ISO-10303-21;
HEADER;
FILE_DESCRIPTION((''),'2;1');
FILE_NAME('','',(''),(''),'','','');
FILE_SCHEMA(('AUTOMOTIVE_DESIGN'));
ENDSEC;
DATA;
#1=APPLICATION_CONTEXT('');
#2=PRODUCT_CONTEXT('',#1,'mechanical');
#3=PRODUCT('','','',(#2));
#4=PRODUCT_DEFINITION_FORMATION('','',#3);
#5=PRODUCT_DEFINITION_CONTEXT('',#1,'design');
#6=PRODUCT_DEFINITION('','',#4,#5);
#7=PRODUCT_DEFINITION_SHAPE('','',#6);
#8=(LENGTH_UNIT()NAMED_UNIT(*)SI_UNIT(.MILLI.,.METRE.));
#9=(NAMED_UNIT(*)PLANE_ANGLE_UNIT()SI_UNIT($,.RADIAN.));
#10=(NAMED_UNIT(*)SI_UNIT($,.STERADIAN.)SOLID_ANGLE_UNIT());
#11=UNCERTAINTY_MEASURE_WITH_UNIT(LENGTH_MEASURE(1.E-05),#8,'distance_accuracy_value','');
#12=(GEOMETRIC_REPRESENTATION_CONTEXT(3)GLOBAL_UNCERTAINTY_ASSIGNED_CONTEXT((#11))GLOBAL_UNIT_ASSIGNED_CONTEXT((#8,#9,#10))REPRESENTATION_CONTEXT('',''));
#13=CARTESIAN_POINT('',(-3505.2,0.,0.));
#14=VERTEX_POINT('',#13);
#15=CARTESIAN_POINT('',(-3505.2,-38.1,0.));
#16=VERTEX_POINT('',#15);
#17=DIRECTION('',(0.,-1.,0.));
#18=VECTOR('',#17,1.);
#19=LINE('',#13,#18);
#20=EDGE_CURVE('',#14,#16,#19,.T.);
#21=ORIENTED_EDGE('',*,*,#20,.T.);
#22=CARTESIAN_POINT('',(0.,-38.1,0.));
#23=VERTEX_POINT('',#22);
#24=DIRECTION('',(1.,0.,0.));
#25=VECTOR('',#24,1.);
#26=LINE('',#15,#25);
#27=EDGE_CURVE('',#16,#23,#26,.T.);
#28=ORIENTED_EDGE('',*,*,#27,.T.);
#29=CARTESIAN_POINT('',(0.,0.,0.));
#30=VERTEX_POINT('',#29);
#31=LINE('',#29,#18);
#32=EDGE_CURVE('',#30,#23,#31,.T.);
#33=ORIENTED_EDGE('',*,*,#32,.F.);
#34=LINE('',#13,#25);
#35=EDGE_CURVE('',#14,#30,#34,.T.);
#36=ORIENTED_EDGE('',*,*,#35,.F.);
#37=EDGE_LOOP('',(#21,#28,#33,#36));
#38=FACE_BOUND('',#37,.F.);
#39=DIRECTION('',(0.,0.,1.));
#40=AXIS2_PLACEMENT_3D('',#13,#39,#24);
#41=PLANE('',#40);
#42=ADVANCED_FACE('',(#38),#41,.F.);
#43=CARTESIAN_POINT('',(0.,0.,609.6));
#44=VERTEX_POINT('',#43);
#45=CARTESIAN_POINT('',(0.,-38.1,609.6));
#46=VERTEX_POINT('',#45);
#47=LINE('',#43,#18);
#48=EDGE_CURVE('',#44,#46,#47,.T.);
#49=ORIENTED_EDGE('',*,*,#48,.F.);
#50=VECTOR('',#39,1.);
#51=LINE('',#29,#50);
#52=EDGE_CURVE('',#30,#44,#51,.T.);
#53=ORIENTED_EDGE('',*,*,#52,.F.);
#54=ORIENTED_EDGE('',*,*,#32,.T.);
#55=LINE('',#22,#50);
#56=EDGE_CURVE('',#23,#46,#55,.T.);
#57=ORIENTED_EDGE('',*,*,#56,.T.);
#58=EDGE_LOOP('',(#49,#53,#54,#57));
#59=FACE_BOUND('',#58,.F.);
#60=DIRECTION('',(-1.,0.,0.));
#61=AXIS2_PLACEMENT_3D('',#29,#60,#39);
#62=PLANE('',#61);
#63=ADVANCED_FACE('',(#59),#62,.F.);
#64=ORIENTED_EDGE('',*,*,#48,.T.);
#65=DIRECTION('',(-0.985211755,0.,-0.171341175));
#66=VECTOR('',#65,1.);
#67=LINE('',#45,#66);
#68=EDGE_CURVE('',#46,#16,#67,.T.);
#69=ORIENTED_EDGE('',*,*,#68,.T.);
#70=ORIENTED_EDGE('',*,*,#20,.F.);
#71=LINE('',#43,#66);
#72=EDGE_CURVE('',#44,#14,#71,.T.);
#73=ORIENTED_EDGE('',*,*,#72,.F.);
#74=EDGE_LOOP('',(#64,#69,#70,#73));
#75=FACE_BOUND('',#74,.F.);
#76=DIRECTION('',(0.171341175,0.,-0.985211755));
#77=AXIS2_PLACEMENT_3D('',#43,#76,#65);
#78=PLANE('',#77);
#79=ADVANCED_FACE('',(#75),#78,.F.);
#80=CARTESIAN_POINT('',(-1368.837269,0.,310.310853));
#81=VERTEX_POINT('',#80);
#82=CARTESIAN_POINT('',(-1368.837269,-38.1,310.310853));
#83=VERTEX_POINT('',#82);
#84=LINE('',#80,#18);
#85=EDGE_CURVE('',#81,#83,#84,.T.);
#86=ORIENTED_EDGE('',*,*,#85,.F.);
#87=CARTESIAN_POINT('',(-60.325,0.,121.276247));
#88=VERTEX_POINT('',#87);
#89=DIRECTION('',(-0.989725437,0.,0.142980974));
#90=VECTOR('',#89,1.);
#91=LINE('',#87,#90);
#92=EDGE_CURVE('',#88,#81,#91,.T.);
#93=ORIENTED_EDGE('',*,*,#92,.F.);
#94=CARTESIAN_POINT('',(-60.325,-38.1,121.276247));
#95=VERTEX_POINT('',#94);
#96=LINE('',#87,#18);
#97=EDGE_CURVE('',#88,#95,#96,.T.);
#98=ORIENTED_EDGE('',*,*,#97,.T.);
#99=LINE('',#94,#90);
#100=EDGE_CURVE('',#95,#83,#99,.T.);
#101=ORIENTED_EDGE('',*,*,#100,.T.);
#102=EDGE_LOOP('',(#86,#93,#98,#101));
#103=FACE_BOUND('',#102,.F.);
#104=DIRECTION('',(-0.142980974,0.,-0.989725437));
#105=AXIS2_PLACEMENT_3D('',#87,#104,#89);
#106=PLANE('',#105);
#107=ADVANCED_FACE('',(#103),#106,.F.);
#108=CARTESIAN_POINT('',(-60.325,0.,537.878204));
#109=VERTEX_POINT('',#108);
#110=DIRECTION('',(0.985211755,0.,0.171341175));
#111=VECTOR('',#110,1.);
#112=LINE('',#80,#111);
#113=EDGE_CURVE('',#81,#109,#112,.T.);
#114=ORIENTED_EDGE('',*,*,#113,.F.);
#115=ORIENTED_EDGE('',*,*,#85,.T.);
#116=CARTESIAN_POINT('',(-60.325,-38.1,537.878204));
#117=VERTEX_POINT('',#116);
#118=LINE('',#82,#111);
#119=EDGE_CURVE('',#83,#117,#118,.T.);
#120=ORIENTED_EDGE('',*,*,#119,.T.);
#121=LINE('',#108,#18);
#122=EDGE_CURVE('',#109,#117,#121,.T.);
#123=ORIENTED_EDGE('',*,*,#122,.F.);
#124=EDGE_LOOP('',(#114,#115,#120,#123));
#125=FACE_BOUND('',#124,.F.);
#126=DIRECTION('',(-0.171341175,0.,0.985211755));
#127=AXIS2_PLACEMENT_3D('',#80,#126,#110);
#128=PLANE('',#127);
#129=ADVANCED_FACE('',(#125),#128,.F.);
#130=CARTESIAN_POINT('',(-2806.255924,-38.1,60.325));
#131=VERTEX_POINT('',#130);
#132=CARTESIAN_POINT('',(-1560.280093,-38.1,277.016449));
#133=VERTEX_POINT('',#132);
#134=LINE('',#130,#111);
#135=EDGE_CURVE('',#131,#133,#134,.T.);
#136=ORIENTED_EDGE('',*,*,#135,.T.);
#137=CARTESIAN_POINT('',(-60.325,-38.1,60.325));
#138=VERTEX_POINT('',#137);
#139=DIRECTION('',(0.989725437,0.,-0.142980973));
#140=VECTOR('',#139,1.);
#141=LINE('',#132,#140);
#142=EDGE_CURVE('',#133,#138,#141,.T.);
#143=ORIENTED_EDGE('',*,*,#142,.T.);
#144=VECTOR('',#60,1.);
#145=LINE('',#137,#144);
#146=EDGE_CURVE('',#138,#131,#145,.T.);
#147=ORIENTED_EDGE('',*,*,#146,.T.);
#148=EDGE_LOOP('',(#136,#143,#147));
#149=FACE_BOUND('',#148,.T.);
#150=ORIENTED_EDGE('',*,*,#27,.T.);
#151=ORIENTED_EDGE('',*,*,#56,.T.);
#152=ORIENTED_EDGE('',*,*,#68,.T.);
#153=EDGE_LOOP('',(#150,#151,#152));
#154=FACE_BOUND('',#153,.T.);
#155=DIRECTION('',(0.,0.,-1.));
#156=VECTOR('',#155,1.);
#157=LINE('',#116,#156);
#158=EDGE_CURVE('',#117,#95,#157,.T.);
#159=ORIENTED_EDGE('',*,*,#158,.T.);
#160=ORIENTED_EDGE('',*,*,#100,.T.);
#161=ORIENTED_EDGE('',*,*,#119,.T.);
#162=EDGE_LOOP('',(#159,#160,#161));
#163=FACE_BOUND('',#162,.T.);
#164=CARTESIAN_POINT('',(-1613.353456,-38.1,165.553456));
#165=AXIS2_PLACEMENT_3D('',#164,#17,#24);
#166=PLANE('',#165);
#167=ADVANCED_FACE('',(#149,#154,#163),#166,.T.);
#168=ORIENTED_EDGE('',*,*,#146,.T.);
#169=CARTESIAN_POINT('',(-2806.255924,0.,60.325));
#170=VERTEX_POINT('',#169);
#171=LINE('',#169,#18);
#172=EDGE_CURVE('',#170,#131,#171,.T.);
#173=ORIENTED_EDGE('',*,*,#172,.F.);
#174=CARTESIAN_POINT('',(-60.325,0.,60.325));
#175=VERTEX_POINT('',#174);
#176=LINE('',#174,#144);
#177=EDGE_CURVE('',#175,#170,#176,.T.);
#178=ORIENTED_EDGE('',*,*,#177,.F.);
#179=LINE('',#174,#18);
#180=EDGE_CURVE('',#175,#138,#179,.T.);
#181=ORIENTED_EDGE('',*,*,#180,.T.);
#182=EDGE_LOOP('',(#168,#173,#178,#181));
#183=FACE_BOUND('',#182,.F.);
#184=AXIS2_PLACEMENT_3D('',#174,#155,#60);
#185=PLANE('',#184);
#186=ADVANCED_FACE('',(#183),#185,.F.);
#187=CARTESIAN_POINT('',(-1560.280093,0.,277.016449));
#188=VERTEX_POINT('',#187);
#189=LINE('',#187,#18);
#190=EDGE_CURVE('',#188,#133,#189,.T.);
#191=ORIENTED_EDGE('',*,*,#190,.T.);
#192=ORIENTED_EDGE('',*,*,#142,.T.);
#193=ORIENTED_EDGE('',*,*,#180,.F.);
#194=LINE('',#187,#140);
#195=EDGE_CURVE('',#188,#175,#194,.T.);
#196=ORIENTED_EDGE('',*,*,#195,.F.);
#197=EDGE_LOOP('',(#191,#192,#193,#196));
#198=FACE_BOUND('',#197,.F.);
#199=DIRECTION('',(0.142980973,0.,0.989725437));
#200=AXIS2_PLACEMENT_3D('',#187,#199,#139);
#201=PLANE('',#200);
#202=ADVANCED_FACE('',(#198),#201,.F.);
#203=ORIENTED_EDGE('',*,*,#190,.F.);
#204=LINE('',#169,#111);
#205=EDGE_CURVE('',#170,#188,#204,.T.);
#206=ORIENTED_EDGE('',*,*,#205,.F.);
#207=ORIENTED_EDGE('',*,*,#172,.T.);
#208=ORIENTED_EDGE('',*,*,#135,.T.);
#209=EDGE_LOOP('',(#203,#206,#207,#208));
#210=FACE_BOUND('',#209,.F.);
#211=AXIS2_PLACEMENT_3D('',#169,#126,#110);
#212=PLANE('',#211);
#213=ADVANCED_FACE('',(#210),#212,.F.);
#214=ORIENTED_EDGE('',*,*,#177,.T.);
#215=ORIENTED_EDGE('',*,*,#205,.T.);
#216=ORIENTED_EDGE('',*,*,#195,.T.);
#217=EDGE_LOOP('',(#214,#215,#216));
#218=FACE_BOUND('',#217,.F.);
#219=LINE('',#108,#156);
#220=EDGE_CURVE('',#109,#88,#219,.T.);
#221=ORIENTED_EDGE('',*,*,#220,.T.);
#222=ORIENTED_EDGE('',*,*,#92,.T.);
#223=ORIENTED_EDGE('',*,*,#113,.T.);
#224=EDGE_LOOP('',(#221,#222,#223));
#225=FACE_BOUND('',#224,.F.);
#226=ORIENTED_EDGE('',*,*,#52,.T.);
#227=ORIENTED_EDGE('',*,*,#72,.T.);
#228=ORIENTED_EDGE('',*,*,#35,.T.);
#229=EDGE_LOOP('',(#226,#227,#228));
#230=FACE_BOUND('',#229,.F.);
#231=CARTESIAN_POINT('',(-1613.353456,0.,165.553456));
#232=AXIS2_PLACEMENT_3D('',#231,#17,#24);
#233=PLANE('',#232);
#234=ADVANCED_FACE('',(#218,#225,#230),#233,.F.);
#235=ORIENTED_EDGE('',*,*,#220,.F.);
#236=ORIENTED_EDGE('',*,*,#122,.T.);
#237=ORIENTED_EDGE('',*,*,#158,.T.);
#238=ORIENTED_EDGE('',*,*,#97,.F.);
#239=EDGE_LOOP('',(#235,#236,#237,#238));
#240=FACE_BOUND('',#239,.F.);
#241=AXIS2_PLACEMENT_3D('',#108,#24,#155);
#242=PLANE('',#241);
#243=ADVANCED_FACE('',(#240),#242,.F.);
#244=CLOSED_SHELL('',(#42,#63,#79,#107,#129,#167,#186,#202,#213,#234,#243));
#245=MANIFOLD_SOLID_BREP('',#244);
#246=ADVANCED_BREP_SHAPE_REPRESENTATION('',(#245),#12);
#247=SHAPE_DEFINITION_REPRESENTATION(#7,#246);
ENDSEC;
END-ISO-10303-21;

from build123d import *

# Parameters (mm, degrees)
F1_DEPTH = 38.1


with BuildPart() as f1:
    # F0 (on Front) → F1 (new body)
    with BuildSketch(Plane.XZ):
        Polygon((-3505.2, 0), (0, 0), (0, 609.6), align=None)
        Polygon((-2806.255924, 60.325), (-1560.280093, 277.016449), (-60.325, 60.325), align=None, mode=Mode.SUBTRACT)
        Polygon((-60.325, 121.276247), (-1368.837269, 310.310853), (-60.325, 537.878204), align=None, mode=Mode.SUBTRACT)
    extrude(amount=F1_DEPTH)


solid = f1.part
